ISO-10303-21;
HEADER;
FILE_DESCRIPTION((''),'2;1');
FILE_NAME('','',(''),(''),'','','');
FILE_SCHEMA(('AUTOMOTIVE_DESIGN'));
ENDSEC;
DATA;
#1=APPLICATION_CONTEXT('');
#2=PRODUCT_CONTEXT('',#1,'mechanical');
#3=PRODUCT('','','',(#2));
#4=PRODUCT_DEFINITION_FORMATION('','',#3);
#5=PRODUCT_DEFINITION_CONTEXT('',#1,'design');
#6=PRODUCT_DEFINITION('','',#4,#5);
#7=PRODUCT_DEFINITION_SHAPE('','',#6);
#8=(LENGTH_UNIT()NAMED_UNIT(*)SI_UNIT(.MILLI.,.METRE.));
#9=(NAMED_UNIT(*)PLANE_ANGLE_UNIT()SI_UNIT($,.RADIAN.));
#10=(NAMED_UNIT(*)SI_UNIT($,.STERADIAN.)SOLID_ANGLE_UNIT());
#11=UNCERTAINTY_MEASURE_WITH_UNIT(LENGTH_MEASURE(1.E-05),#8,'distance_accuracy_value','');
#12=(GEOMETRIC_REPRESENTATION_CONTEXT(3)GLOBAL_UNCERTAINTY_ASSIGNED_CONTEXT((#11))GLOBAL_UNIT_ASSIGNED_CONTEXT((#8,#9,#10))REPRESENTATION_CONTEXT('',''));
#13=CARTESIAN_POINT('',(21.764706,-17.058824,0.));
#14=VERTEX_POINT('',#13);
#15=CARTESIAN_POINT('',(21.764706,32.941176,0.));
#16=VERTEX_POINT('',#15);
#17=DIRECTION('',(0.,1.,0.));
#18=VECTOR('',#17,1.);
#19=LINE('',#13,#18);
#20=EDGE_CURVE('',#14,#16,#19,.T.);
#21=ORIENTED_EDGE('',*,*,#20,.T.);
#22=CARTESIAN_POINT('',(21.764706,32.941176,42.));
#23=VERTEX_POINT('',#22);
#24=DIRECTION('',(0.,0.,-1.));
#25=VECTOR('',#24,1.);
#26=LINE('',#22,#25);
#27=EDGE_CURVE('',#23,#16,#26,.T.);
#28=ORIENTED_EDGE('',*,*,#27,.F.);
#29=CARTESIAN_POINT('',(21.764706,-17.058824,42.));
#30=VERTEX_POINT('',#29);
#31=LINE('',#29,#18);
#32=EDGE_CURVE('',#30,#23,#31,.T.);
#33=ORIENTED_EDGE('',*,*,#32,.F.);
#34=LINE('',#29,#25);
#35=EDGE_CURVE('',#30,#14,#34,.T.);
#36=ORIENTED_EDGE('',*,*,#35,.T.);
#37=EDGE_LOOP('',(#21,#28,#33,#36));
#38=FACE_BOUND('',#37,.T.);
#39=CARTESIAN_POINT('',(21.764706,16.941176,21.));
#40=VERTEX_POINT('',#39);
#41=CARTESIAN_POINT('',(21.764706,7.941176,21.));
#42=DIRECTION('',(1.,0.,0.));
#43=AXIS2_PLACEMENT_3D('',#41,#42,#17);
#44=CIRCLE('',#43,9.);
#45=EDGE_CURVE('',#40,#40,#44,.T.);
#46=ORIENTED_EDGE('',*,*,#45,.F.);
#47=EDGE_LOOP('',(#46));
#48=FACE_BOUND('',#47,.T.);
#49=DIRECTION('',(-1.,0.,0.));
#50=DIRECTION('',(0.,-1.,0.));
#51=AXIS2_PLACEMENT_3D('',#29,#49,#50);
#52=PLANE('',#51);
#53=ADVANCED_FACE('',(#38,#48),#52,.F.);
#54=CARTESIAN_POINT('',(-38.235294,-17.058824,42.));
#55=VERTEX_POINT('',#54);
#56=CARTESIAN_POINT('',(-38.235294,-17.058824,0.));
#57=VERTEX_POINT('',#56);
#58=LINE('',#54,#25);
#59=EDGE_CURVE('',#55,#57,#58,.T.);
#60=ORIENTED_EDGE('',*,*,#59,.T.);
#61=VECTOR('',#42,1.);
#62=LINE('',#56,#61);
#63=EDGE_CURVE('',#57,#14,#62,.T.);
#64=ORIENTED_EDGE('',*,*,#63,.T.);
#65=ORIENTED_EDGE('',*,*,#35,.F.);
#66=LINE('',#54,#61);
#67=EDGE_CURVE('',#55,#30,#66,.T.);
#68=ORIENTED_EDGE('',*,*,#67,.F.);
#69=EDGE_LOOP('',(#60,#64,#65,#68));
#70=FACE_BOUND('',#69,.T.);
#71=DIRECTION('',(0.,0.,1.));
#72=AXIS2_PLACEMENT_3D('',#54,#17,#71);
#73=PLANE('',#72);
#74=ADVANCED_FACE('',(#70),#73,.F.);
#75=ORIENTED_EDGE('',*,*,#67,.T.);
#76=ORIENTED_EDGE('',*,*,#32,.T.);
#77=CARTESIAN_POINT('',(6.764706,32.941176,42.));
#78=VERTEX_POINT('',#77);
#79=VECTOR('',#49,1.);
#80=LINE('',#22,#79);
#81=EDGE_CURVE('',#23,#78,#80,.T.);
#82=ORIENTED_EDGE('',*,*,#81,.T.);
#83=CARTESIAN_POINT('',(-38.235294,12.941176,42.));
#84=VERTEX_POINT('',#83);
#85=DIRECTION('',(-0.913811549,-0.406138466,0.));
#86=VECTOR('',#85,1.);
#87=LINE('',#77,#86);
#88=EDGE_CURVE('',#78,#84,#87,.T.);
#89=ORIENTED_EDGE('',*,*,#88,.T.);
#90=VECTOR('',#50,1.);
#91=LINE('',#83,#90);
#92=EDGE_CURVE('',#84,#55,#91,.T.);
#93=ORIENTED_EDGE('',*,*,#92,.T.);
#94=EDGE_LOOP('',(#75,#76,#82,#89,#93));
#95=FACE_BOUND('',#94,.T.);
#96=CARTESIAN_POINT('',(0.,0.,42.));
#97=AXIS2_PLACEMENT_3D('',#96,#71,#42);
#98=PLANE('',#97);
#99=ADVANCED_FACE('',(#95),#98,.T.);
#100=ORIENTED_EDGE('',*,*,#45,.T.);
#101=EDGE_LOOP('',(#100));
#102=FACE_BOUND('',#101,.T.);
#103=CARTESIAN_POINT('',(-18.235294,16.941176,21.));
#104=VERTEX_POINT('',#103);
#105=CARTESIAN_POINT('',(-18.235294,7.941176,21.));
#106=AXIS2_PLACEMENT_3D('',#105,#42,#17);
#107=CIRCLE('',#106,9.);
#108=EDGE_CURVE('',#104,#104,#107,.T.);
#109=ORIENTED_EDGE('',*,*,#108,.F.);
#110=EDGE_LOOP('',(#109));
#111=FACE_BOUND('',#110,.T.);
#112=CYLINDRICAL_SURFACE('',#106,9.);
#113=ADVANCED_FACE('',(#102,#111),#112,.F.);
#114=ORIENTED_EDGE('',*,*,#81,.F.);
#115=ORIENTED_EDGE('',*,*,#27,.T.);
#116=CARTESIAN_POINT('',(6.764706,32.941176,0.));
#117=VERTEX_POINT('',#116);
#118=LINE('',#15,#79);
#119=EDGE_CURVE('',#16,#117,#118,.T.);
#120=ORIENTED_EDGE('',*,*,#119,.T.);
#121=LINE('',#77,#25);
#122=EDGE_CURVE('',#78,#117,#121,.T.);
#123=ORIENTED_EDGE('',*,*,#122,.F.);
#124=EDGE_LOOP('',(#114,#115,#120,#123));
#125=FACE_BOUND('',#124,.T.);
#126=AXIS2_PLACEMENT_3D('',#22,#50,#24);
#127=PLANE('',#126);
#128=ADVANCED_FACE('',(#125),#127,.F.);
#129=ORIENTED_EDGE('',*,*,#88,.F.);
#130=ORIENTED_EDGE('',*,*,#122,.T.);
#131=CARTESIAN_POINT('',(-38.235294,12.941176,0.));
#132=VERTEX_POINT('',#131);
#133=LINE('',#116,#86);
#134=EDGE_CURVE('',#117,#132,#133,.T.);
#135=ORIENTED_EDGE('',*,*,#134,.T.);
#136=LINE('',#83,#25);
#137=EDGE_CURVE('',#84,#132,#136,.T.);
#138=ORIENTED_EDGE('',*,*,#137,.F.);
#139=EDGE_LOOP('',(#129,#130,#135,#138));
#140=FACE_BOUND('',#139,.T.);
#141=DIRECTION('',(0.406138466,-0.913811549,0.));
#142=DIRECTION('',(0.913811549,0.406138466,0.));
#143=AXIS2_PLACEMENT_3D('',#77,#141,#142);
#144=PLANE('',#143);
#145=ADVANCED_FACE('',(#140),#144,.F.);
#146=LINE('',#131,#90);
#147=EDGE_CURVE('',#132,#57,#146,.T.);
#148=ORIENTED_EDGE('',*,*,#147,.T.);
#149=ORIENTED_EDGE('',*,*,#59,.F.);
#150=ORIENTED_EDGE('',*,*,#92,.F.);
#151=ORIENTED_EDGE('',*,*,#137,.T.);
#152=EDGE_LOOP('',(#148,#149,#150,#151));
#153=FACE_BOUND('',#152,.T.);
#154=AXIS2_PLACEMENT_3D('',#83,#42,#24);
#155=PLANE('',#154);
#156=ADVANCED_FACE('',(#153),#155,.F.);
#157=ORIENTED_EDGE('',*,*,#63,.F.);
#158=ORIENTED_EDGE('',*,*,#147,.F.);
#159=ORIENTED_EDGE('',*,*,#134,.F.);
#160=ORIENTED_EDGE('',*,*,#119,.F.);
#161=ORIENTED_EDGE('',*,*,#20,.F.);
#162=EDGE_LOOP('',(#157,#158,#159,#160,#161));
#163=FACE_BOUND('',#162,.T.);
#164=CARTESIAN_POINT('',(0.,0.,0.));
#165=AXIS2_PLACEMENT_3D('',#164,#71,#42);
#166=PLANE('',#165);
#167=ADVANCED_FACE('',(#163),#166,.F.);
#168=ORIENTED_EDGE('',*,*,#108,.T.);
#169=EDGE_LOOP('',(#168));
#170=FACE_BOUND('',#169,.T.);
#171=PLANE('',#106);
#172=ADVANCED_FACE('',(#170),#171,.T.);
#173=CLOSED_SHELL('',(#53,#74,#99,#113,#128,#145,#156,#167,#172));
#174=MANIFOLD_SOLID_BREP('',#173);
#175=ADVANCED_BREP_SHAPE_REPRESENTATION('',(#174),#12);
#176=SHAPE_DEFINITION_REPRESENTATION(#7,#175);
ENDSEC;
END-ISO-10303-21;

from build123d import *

# Parameters (mm, degrees)
BOSS_EXTRUDE1_DEPTH = 42
SKETCH2_R           = 9
CUT_EXTRUDE1_DEPTH  = 40


with BuildPart() as part:
    # Sketch1 → Boss-Extrude1 (new body)
    with BuildSketch(Plane.XY):
        Polygon((-38.235294118, -17.058823529), (21.764705882, -17.058823529), (21.764705882, 32.941176471), (6.764705882, 32.941176471), (-38.235294118, 12.941176471), align=None)
    extrude(amount=BOSS_EXTRUDE1_DEPTH)

    # Sketch2 → Cut-Extrude1 (cut)
    with BuildSketch(Plane(origin=(21.764705882, 0, 0), x_dir=(0, 0, -1), z_dir=(1, 0, 0))):
        with Locations((-21, 7.941176471)):
            Circle(SKETCH2_R)
    extrude(amount=-CUT_EXTRUDE1_DEPTH, mode=Mode.SUBTRACT)


solid = part.part
